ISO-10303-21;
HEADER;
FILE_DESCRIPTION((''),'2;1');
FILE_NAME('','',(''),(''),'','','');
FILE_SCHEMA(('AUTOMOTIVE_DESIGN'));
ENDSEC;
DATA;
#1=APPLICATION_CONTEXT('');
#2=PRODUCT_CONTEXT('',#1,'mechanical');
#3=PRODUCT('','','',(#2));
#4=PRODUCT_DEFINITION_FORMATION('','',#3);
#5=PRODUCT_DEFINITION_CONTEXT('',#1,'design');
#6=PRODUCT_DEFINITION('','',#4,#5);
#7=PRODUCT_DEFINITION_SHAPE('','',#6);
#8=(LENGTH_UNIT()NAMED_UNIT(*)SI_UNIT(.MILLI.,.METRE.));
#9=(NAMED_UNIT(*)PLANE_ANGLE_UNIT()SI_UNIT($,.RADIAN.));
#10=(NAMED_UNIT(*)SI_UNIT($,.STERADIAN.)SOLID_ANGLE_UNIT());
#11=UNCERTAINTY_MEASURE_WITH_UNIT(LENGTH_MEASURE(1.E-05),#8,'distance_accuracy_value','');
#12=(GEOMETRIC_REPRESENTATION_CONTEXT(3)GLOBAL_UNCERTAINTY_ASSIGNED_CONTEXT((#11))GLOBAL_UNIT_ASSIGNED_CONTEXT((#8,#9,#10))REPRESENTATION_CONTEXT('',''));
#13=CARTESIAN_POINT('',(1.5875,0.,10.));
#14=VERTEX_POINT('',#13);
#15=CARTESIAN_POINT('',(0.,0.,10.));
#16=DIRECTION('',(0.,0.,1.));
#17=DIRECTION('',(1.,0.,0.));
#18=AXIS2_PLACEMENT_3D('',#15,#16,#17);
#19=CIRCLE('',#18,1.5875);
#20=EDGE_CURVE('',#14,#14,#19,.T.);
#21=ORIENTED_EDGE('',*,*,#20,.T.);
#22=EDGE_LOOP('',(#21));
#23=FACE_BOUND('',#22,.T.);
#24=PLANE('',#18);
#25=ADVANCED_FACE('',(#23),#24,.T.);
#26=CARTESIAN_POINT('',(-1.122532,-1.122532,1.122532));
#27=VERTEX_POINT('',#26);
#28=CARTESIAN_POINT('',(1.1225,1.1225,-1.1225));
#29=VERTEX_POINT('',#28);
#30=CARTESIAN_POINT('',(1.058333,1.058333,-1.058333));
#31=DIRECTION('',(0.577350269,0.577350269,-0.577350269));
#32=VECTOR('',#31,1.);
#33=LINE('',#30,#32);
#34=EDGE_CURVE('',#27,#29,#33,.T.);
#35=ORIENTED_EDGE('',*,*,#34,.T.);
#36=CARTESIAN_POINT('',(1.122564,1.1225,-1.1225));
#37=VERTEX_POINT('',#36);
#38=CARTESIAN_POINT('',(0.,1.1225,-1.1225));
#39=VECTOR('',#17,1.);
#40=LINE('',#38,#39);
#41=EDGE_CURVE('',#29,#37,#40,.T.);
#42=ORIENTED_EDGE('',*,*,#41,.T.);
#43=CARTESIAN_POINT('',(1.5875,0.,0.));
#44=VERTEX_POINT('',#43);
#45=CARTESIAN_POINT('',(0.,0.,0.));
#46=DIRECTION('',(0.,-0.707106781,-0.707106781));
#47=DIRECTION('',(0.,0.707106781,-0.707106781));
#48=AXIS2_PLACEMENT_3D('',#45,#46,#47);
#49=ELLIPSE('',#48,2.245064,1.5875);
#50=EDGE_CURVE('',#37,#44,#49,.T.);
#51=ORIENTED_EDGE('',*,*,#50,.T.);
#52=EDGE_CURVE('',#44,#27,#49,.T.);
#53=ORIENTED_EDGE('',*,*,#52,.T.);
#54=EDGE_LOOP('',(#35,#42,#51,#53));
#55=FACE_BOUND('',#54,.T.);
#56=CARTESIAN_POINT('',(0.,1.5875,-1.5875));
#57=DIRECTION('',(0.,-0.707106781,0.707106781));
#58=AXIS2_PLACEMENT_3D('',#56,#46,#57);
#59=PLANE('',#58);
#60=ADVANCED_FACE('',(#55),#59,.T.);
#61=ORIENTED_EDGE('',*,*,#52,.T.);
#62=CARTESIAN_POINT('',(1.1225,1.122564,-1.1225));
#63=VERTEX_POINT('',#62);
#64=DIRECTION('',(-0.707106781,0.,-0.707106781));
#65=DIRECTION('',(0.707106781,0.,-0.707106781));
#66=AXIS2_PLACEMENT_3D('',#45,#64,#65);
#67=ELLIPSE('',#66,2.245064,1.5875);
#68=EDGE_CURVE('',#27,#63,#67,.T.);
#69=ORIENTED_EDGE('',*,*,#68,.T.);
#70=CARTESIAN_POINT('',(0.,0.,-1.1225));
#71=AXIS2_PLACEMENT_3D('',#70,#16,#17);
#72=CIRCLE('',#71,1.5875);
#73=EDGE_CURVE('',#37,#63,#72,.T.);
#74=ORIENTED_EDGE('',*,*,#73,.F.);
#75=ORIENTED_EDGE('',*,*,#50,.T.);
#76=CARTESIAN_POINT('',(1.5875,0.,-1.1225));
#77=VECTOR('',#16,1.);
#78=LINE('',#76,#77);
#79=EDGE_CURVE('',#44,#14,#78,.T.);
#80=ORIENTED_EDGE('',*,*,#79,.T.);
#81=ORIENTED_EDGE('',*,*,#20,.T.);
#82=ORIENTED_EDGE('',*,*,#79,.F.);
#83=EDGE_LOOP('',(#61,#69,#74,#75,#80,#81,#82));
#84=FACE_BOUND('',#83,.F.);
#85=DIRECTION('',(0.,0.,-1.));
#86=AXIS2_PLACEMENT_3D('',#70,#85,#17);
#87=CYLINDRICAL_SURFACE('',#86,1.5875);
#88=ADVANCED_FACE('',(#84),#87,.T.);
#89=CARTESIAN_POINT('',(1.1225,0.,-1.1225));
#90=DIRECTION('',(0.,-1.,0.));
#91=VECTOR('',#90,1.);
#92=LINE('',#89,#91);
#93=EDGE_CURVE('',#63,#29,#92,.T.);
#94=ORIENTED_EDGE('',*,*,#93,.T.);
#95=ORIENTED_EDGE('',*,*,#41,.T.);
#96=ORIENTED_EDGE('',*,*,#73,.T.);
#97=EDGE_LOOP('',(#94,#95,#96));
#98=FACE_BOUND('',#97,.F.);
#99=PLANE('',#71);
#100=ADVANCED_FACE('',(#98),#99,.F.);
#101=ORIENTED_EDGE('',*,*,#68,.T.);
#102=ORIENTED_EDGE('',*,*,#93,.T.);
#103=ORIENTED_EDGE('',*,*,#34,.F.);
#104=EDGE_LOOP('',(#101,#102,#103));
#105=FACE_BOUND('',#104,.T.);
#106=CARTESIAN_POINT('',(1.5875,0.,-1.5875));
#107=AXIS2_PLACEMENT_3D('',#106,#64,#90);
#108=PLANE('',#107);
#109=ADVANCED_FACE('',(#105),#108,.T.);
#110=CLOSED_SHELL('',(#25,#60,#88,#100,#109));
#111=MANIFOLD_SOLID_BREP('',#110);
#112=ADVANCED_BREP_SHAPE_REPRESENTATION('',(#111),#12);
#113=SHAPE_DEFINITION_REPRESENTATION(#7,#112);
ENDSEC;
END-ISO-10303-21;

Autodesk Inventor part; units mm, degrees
ref_plane "Start Plane" through (0, 0, -1.1225) normal (0, 0, 1) x (1, 0, 0)
ref_plane "End Plane" through (0, 0, 10) normal (0, 0, 1) x (1, 0, 0)
sketch "Sketch" plane through (0, 0, 0) normal (0, 0, 1) x (1, 0, 0)
  circle A0 centre (0, 0) radius 1.5875
  dimension "d0" = 3.175
extrude "Body" add sketch "Sketch" along normal up to surface (11.1225 mm away) from surface at -1.1225
sketch "Sketch2" plane through (0, 0, 0) normal (0, 0, 1) x (1, 0, 0)
  line L0 (0, 0) -> (10, 0)
ref_plane "Work Plane3" through (0, 0, 0) normal (0, -1, 0) x (1, 0, 0)
sketch "Sketch3" plane through (0, 0, 0) normal (0, -1, 0) x (1, 0, 0)
  line L0 (-2, -1.1225) -> (12, -1.1225)
  line L1 (-2, 10) -> (12, 10)
  dimension "d7" = 11.1225
ref_plane "Work Plane4" through (0, 1.5875, -1.5875) normal (0, -0.7071, -0.7071) x (1, 0, 0)
split "Split1" plane through (0, 1.5875, -1.5875) removes the side toward (0, -0.7071, -0.7071)
ref_plane "Work Plane5" through (1.5875, 0, -1.5875) normal (-0.7071, 0, -0.7071) x (-0.7071, 0, 0.7071)
split "Split2" plane through (1.5875, 0, -1.5875) removes the side toward (-0.7071, 0, -0.7071)
equation "\"d0\" = Diam"
equation "\"d1\" = G_L"
equation "\"Diam\" = 3.175"
equation "\"G_L\" = d7"
equation "\"G_OFFSET_START\" = 1.12253"
equation "\"G_OFFSET_END\" = 0"
equation "\"d4\" = -G_OFFSET_START"
equation "\"d5\" = G_OFFSET_END + B_L"
equation "\"B_L\" = 10"
properties part number "ANSI/AISC Rolled Steel - 1/8-0,438, RB" material "Steel, Mild"
